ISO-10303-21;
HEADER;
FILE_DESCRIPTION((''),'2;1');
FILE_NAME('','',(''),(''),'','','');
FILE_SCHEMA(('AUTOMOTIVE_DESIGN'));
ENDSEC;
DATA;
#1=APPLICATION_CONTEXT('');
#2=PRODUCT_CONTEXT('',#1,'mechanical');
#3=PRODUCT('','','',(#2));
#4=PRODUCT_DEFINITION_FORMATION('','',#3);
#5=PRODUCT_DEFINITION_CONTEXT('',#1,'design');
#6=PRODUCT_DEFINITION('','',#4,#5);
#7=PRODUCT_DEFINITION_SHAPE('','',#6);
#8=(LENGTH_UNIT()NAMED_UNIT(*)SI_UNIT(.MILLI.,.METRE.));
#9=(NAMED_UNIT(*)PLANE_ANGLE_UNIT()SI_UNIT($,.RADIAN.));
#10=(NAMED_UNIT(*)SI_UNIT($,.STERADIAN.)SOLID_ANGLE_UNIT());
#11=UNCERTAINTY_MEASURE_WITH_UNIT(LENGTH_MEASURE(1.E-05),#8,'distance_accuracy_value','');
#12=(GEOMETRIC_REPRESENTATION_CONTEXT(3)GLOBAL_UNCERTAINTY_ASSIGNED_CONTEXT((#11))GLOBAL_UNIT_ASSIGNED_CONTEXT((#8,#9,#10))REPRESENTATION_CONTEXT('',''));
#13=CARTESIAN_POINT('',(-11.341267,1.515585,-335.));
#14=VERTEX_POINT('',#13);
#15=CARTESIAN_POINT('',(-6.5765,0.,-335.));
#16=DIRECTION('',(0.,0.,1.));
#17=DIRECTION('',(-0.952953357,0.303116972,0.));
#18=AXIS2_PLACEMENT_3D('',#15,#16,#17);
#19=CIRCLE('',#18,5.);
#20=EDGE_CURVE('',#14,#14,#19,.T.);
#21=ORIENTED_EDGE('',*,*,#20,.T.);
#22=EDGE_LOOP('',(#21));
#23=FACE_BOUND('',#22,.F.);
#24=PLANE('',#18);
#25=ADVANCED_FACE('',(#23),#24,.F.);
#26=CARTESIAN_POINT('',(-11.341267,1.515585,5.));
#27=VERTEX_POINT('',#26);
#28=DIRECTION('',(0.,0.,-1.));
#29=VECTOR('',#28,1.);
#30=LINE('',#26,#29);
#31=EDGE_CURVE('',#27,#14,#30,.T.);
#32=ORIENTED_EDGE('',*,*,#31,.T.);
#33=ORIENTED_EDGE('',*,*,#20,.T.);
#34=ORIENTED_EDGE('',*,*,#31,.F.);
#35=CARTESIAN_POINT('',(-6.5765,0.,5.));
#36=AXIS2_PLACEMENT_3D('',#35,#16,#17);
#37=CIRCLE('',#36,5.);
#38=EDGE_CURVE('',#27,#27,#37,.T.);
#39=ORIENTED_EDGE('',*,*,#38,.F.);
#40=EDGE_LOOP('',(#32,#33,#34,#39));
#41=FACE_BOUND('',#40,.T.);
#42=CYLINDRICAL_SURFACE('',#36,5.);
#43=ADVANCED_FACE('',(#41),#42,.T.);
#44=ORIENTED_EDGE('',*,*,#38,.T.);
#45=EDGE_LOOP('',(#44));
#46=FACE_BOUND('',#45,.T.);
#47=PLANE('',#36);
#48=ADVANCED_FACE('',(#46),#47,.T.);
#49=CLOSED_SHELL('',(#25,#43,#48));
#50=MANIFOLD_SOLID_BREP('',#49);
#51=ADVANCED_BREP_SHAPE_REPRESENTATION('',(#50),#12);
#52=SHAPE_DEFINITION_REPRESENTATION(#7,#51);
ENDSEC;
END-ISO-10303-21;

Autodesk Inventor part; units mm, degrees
ref_plane "YZ Plane" through (0, 0, 0) normal (1, 0, 0) x (0, 1, 0)
ref_plane "XZ Plane" through (0, 0, 0) normal (0, 1, 0) x (-1, 0, 0)
ref_plane "Work Plane1" through (-6.5765, 0, 5) normal (0, 0, 1) x (-0.9529, 0.3031, 0)
sketch "Sketch1" plane through (-6.5765, 0, 5) normal (0, 0, 1) x (-0.9529, 0.3031, 0)
  circle A0 centre (0, 0) radius 5 projected
  point P0 (-6.2671, -1.9935)
ref_plane "Work Plane2" through (-15.5765, -8.1, -335) normal (0, 0, 1) x (1, 0, 0)
extrude "Extrusion1" add sketch "Sketch1" against normal up to surface (340 mm away)
properties part number "guida__Z"
